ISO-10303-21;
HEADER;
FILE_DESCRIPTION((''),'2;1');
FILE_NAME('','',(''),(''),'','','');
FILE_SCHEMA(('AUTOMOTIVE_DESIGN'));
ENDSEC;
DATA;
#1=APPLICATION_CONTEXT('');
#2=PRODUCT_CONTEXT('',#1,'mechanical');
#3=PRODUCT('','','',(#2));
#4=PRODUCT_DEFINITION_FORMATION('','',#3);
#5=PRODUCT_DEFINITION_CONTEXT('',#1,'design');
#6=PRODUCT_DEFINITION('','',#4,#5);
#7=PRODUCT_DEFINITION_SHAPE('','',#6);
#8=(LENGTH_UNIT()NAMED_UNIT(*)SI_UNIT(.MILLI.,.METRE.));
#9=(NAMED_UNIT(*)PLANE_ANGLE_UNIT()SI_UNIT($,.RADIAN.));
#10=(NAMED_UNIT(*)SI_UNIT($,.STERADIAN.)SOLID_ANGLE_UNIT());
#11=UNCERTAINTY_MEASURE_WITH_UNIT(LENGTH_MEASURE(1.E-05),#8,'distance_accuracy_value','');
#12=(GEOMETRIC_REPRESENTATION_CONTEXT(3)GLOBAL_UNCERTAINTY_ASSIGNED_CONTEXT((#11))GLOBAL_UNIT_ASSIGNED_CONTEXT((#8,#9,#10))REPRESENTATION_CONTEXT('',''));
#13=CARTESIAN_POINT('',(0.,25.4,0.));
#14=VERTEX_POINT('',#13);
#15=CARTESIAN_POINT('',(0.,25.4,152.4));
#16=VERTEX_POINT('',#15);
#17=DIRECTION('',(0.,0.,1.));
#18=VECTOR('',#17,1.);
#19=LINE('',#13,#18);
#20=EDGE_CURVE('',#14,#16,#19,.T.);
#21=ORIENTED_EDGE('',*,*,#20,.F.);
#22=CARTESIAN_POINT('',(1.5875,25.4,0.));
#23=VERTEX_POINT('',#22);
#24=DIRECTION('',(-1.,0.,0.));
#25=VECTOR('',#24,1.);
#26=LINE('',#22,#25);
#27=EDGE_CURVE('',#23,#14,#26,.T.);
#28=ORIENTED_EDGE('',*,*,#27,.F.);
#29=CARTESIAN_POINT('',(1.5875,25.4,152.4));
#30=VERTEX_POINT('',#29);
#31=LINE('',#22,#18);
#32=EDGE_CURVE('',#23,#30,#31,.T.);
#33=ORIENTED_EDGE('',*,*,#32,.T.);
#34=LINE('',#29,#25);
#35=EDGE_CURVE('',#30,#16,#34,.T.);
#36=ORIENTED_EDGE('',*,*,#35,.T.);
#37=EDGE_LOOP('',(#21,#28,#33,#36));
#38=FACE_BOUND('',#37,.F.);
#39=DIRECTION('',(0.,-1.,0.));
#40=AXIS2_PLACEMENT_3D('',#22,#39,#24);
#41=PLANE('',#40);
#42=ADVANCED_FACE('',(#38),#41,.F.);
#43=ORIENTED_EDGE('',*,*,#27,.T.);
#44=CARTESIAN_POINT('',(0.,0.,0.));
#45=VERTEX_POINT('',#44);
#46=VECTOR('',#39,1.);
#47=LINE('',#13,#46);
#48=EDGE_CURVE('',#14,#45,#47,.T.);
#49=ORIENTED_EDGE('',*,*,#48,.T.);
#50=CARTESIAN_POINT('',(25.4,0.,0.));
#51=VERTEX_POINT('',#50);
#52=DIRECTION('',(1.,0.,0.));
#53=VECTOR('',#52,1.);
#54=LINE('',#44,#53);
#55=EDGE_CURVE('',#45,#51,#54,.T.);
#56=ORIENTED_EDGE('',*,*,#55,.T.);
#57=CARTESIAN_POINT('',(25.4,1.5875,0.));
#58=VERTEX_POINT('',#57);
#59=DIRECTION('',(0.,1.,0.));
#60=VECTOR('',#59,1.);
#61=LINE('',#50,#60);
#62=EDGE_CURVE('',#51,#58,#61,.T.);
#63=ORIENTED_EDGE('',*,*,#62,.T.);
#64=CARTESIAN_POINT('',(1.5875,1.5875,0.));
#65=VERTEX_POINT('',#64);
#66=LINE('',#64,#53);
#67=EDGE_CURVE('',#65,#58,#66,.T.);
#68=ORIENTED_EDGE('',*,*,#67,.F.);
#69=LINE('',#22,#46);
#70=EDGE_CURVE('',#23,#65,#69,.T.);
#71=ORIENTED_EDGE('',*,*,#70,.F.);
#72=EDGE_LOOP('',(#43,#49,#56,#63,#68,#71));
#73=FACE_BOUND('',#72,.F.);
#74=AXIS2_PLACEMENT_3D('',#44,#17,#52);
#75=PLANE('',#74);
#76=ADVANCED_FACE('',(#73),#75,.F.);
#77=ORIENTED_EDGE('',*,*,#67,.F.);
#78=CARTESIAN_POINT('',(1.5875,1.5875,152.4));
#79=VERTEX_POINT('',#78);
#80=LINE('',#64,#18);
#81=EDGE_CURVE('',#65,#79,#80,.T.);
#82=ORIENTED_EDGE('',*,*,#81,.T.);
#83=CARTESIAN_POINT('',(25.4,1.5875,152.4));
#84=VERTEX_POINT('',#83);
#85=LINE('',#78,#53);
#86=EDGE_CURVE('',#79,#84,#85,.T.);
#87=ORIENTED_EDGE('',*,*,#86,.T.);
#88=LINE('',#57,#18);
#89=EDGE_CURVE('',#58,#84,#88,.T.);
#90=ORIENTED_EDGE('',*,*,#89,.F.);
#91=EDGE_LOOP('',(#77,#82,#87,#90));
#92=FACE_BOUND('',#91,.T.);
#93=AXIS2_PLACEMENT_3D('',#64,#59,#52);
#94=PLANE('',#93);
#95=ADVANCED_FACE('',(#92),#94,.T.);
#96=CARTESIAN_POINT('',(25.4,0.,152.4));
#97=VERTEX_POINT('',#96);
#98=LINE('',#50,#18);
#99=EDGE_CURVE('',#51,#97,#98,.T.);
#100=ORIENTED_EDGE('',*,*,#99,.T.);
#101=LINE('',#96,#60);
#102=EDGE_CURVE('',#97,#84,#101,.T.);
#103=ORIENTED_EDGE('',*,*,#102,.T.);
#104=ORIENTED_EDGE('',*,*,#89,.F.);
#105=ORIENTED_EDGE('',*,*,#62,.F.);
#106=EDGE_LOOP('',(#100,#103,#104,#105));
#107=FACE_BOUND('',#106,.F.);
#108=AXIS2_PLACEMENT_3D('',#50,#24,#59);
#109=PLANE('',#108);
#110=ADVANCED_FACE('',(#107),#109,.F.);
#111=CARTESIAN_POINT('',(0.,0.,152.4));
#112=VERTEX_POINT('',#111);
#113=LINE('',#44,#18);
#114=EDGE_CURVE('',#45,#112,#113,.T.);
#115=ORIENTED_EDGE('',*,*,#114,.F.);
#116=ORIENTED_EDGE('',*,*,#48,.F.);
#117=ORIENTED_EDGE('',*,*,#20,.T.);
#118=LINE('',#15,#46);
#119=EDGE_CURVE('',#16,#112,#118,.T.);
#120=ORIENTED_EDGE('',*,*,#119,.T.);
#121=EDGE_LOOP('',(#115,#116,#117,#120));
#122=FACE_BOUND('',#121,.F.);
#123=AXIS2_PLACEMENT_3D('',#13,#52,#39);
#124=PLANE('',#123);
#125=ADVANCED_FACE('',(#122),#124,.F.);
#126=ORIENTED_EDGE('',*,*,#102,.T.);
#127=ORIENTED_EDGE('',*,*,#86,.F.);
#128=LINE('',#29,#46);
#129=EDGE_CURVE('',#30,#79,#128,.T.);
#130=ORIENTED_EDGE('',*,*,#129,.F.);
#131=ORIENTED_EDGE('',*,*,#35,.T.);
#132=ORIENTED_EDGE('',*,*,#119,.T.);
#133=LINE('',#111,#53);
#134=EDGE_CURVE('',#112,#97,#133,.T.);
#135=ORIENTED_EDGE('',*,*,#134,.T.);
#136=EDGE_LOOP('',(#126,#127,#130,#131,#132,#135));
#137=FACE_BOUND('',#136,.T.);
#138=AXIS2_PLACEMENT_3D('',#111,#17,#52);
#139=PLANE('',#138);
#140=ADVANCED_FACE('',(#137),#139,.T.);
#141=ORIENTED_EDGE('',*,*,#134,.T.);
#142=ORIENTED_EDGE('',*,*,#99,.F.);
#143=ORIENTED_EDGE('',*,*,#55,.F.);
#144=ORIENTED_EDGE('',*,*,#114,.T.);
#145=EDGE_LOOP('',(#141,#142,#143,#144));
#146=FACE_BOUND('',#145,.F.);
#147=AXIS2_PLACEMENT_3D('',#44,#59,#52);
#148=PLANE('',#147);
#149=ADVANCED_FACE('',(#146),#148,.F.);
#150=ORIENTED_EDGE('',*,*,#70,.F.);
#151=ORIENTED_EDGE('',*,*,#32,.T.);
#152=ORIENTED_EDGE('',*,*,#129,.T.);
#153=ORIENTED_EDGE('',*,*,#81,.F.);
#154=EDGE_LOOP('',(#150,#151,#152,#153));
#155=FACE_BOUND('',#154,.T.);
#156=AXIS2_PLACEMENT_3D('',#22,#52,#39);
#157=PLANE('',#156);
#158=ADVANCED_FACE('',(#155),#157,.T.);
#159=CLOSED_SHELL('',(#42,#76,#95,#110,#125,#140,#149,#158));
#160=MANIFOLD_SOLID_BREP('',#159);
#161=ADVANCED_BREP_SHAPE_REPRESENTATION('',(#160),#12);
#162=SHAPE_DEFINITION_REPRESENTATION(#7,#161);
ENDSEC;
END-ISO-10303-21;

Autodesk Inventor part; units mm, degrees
ref_plane "YZ Plane" through (0, 0, 0) normal (1, 0, 0) x (0, 1, 0)
ref_plane "XZ Plane" through (0, 0, 0) normal (0, 1, 0) x (-1, 0, 0)
ref_plane "XY Plane" through (0, 0, 0) normal (0, 0, 1) x (1, 0, 0)
sketch "Sketch1" plane through (0, 0, 0) normal (0, 0, 1) x (1, 0, 0)
  line L0 (0, 0) -> (25.4, 0)
  line L1 (25.4, 0) -> (25.4, 1.5875)
  line L2 (1.5875, 25.4) -> (0, 25.4)
  line L3 (0, 25.4) -> (0, 0)
  line L4 (1.5875, 25.4) -> (1.5875, 1.5875)
  line L5 (1.5875, 1.5875) -> (25.4, 1.5875)
  dimension "d0" = 25.4
  dimension "d1" = 25.4
  dimension "d2" = 1.5875
  dimension "d3" = 1.5875
extrude "Extrusion1" add sketch "Sketch1" along normal blind 152.4
equation "\"d1\" = d0"
equation "\"d3\" = d2"
properties part number "dozer side end mount"
